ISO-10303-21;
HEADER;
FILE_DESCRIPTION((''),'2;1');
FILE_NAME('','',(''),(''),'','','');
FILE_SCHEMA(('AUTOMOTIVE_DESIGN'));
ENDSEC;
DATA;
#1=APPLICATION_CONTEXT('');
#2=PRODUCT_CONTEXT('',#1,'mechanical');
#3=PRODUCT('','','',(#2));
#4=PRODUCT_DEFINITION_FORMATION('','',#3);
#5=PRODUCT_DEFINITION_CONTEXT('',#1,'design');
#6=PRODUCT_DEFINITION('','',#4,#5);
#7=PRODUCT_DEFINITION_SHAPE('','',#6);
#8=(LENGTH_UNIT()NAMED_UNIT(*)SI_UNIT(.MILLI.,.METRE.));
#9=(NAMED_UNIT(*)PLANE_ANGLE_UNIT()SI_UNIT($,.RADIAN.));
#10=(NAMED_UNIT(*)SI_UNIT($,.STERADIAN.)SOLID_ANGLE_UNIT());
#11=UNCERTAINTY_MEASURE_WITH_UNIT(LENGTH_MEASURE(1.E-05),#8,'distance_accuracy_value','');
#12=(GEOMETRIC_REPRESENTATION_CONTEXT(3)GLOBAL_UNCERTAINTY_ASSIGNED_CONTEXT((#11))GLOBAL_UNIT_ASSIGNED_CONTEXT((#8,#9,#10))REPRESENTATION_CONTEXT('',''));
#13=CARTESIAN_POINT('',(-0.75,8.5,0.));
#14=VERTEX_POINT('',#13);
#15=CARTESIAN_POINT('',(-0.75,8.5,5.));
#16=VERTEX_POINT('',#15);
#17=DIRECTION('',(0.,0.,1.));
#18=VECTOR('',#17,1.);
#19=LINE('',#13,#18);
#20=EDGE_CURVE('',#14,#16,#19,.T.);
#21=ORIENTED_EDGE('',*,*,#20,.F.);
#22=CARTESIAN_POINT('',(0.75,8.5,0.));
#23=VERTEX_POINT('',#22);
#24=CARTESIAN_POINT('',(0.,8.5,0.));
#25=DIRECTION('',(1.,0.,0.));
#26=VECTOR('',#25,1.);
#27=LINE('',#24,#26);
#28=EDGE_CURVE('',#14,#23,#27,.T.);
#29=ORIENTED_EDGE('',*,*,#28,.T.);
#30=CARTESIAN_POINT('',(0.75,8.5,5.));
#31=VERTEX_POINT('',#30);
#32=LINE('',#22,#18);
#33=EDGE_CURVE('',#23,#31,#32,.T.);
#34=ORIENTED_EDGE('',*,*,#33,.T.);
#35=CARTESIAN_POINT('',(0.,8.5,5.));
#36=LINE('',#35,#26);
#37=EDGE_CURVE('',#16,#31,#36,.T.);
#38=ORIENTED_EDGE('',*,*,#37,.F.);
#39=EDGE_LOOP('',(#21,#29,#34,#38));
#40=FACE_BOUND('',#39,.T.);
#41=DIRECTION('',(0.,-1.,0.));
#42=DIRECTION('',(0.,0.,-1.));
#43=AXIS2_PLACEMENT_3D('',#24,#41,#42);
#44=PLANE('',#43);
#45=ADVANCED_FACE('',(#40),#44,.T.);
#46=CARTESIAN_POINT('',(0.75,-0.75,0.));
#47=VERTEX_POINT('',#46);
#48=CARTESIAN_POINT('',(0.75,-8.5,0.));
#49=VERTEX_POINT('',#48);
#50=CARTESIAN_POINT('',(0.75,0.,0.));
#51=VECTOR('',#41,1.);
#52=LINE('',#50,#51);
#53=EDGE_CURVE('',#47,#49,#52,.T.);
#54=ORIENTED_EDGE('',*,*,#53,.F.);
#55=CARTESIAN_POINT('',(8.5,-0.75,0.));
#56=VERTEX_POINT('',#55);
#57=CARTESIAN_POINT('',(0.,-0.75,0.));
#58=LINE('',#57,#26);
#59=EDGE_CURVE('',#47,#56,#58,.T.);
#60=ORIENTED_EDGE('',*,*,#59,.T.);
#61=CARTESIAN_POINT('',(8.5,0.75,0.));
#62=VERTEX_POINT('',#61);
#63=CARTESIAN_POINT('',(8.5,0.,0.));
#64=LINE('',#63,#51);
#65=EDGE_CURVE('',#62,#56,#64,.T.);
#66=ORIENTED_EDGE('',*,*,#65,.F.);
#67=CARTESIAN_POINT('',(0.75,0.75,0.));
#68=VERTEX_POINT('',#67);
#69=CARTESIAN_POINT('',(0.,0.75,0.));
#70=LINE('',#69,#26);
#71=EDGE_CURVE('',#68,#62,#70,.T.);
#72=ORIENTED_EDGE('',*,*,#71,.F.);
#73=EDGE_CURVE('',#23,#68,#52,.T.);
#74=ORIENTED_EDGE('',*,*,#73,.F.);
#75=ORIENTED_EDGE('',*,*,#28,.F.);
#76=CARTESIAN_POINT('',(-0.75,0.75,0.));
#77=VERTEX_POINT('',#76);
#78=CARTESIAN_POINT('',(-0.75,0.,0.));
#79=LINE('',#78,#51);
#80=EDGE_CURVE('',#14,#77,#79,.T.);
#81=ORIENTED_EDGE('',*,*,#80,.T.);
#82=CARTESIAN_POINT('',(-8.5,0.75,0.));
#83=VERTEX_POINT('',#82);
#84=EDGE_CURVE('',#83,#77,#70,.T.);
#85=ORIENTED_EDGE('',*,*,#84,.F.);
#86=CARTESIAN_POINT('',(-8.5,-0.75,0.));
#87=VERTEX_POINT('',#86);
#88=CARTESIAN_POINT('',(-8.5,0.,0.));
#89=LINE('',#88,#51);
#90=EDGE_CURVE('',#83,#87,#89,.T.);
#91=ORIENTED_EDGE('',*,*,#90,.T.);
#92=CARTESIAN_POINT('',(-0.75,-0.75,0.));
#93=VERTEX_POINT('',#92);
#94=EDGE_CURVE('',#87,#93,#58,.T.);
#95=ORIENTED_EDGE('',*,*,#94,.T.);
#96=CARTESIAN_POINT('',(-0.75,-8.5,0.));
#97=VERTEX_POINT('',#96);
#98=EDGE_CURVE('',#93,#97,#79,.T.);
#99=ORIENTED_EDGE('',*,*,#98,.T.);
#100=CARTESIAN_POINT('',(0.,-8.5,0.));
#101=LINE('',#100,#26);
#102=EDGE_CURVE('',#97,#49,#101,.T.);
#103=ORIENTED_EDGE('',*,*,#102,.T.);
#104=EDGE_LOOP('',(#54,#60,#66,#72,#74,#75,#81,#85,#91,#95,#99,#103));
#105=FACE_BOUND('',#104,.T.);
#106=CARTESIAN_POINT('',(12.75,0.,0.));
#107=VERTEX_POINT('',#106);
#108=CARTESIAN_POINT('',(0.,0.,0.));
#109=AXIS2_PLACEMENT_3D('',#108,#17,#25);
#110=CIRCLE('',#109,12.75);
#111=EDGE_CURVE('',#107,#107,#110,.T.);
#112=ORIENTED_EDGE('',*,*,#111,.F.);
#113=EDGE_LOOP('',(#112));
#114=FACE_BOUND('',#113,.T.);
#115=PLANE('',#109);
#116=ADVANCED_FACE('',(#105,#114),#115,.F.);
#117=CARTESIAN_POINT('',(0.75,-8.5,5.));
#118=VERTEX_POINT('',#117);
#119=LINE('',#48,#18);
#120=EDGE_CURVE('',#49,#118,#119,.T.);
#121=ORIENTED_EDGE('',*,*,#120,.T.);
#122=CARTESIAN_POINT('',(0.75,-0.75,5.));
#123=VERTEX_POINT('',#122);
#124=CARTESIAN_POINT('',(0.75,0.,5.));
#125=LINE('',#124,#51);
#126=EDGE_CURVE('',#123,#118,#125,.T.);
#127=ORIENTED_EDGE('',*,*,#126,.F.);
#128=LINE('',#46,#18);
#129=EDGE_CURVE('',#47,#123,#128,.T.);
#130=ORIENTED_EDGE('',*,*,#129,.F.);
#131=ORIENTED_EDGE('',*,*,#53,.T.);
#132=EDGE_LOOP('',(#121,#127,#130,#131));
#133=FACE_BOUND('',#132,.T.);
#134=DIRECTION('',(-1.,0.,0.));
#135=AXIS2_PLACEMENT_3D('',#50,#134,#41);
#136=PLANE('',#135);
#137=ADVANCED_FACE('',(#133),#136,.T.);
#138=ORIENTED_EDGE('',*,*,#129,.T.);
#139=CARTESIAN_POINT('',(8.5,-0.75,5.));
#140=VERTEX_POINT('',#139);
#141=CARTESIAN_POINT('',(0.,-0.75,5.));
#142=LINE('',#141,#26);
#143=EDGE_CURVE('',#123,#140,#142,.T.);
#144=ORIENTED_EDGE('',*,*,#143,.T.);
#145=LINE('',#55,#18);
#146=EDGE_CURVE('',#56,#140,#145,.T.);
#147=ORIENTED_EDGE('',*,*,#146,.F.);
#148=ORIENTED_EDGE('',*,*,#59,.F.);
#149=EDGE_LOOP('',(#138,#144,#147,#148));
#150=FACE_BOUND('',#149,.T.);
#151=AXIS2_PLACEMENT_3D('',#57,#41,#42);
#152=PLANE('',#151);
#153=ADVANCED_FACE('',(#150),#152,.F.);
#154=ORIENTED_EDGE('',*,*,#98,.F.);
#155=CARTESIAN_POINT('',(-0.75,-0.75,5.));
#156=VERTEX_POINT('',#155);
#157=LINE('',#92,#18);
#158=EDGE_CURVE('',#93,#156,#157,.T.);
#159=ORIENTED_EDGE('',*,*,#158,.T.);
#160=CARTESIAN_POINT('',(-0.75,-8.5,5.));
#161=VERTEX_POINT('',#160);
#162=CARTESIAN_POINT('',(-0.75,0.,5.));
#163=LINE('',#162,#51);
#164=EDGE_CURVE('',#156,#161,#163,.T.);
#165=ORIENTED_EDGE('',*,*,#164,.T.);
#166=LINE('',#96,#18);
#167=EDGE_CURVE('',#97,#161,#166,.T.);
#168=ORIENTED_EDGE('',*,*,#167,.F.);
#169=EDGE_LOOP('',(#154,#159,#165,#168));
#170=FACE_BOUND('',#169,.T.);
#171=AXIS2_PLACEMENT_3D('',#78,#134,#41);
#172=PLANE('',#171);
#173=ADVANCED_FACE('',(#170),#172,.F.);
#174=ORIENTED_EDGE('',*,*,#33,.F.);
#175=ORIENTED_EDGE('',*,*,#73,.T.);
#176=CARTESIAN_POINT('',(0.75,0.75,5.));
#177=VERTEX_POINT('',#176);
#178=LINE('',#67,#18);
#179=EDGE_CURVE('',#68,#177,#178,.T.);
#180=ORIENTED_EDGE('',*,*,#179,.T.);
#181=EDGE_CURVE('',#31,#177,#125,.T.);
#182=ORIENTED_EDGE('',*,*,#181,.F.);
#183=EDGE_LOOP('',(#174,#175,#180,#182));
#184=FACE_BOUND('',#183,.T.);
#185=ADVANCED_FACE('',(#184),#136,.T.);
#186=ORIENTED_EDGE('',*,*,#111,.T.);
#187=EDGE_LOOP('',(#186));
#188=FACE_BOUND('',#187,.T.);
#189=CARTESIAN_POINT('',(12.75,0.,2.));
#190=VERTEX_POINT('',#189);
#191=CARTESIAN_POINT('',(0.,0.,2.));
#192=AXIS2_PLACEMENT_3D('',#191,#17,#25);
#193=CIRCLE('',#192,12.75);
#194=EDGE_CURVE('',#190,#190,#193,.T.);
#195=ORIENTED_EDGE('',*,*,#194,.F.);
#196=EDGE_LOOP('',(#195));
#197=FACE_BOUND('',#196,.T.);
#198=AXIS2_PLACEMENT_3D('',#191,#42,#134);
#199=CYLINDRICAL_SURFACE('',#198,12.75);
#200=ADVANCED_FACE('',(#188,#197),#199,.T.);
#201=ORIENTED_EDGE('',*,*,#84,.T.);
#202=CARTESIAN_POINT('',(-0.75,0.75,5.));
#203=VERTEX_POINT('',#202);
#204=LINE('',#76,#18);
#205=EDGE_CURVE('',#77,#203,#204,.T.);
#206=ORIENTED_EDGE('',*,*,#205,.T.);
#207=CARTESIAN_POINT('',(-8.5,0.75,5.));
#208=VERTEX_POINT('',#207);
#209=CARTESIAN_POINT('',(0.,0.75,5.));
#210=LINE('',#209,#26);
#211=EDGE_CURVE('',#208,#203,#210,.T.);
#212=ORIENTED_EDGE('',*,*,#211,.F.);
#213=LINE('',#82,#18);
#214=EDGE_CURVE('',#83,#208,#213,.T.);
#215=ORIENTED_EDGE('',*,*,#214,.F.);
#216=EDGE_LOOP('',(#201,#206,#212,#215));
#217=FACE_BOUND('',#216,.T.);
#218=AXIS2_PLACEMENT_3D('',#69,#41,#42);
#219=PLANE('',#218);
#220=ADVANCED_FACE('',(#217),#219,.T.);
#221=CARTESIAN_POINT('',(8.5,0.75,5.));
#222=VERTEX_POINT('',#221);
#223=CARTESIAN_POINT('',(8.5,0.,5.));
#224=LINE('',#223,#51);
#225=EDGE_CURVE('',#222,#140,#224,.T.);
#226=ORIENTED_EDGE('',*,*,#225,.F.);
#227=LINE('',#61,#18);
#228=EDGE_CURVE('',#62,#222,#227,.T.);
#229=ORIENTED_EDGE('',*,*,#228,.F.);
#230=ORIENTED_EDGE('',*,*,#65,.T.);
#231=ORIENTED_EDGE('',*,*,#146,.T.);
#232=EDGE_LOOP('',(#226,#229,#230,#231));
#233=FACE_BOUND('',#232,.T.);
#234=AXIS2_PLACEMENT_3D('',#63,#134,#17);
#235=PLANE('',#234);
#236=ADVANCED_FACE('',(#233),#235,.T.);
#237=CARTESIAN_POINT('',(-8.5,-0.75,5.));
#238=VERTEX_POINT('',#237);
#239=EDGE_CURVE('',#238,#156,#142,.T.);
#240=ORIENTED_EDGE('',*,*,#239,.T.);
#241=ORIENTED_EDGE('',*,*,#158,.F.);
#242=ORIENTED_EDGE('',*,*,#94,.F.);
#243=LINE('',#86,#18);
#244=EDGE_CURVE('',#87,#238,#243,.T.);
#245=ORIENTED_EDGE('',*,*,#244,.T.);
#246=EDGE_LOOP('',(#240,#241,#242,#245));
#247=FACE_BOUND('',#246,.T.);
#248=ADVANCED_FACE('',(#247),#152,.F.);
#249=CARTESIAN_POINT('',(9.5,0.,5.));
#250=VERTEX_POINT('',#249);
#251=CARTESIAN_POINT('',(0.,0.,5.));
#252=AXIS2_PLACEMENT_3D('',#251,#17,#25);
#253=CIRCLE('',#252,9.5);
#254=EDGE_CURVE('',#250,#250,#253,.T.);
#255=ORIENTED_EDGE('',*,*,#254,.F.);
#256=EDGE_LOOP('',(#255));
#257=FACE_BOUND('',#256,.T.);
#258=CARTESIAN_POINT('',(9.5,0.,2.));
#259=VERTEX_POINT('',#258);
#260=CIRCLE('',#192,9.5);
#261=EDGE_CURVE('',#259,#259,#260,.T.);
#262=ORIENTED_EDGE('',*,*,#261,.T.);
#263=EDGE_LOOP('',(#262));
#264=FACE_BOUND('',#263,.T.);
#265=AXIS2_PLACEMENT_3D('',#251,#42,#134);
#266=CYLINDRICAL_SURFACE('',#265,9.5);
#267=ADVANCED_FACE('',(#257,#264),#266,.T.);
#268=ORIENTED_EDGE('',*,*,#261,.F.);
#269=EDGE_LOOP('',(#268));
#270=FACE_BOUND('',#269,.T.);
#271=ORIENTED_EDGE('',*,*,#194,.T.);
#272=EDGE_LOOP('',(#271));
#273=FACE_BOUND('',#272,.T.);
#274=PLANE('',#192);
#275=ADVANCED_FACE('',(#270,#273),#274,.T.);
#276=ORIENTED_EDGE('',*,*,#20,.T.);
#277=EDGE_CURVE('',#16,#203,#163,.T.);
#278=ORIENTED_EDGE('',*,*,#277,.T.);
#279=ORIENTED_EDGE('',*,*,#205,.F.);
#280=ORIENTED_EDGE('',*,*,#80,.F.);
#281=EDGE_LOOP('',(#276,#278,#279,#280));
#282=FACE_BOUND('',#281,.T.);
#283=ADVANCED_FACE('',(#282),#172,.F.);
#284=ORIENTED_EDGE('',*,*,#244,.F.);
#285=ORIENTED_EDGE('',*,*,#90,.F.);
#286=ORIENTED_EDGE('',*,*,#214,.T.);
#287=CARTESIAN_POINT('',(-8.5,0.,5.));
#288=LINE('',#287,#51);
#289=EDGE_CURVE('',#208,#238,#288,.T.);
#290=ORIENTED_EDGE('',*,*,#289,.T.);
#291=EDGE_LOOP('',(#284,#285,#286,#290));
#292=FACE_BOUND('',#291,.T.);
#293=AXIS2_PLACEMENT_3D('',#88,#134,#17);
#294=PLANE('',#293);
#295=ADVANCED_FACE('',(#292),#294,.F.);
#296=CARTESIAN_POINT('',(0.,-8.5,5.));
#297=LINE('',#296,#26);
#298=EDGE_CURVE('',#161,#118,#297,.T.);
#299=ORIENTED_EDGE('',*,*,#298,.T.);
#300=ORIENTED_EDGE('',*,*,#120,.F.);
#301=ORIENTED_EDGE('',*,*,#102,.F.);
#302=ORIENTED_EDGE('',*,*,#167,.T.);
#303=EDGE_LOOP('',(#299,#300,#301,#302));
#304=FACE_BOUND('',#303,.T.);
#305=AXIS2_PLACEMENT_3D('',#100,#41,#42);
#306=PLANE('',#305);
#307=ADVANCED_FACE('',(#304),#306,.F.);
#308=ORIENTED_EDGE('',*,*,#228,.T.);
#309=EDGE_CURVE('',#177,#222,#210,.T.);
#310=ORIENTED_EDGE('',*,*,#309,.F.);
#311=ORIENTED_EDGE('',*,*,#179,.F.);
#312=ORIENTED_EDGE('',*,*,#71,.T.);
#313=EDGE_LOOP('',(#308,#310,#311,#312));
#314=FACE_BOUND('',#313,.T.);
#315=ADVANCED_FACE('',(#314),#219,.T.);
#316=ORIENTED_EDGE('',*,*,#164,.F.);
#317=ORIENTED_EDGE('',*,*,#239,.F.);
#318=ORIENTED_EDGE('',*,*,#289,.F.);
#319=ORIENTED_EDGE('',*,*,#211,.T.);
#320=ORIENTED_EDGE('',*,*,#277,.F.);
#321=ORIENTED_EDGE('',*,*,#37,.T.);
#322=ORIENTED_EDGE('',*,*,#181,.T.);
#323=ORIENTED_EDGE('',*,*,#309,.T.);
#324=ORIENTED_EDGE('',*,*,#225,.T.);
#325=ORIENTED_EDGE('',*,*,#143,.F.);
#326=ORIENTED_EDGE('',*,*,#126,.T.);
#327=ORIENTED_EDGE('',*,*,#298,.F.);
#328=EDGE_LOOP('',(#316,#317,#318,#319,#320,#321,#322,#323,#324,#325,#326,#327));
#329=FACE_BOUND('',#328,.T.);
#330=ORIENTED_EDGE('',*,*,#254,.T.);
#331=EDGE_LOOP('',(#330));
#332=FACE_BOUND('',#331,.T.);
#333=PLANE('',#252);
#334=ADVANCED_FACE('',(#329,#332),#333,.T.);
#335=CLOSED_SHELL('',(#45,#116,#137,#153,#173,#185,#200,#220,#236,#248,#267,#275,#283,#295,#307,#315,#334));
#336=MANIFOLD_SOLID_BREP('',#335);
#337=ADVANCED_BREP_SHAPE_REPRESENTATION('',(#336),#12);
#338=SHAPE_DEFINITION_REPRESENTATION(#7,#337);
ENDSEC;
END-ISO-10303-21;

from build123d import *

# Parameters (mm, degrees)
OUTER_SKETCH_R           = 12.75
OUTER_DEPTH              = 2
INNER_SKETCH_R           = 9.5
INNER_DEPTH              = 3
CUT_OUT_SKETCH_W         = 7.75
CUT_OUT_SKETCH_H         = 1.5
CUT_OUT_SKETCH_W_2       = 1.5
CUT_OUT_SKETCH_H_2       = 7.75
ODEBRAT_VYSUNUT_M1_DEPTH = 19.711627401


with BuildPart() as part:
    # Outer sketch → Outer (new body)
    with BuildSketch(Plane.XY):
        Circle(OUTER_SKETCH_R)
    extrude(amount=OUTER_DEPTH)

    # Inner sketch → Inner (add)
    with BuildSketch(Plane.XY.offset(2)):
        Circle(INNER_SKETCH_R)
    extrude(amount=INNER_DEPTH)

    # Cut out sketch → Odebrat vysunutím1 (cut, through all)
    with BuildSketch(Plane.XY.offset(5)):
        with Locations((-4.625, 0)):
            Rectangle(CUT_OUT_SKETCH_W, CUT_OUT_SKETCH_H)
        with Locations((0, 4.625)):
            Rectangle(CUT_OUT_SKETCH_W_2, CUT_OUT_SKETCH_H_2)
        Rectangle(CUT_OUT_SKETCH_W_2, CUT_OUT_SKETCH_H)
        with Locations((0, -4.625)):
            Rectangle(CUT_OUT_SKETCH_W_2, CUT_OUT_SKETCH_H_2)
        with Locations((4.625, 0)):
            Rectangle(CUT_OUT_SKETCH_W, CUT_OUT_SKETCH_H)
    extrude(amount=-ODEBRAT_VYSUNUT_M1_DEPTH, mode=Mode.SUBTRACT)


solid = part.part
